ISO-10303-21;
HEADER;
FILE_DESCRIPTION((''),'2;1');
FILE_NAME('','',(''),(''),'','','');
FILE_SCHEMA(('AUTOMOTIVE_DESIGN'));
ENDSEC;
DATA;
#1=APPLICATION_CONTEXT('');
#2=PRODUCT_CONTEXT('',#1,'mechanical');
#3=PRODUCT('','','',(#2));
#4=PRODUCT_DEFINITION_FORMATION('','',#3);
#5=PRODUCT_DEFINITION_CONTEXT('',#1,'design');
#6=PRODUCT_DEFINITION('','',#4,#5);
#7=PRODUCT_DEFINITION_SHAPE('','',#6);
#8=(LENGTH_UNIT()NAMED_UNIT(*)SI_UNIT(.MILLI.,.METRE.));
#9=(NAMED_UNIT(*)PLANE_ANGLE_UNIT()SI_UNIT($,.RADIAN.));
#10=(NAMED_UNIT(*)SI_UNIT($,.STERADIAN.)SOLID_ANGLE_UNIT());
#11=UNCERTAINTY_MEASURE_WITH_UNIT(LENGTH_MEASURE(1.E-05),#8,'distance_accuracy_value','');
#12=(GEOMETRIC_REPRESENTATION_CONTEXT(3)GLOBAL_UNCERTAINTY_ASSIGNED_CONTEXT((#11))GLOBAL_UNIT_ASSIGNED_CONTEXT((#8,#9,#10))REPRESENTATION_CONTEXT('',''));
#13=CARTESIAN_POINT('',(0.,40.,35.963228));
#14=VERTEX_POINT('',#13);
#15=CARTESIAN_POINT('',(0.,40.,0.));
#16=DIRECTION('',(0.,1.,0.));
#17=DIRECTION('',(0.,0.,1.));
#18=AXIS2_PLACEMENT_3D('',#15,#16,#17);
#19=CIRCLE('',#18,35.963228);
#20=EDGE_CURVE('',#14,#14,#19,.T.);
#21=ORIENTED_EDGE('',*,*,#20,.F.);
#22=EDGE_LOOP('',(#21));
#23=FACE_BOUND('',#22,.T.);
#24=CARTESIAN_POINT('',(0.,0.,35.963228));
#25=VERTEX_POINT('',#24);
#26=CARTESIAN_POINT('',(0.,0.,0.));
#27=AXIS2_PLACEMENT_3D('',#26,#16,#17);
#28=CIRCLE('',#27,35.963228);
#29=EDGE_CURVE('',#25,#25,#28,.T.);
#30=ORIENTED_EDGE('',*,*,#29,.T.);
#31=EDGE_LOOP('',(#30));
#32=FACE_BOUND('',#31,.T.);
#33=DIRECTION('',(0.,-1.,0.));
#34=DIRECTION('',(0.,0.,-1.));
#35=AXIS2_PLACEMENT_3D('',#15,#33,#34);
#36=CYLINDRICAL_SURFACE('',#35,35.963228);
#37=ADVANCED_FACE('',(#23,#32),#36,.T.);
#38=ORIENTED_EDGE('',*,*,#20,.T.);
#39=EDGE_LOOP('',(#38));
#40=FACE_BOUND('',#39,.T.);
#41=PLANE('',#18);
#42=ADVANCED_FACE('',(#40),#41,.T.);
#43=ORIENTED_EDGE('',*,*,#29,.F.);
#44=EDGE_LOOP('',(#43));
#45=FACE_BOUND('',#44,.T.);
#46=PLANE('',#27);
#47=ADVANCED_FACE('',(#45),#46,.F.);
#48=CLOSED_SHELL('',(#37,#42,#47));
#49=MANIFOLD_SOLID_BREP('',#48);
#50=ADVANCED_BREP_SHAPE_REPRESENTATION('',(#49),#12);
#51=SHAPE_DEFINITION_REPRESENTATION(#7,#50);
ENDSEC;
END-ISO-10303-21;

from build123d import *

# Parameters (mm, degrees)
SKETCH1_R           = 35.963227588
BOSS_EXTRUDE1_DEPTH = 40


with BuildPart() as part:
    # Sketch1 → Boss-Extrude1 (new body)
    with BuildSketch(Plane(origin=(0, 0, 0), x_dir=(1, 0, 0), z_dir=(0, 1, 0))):
        Circle(SKETCH1_R)
    extrude(amount=BOSS_EXTRUDE1_DEPTH)


solid = part.part
